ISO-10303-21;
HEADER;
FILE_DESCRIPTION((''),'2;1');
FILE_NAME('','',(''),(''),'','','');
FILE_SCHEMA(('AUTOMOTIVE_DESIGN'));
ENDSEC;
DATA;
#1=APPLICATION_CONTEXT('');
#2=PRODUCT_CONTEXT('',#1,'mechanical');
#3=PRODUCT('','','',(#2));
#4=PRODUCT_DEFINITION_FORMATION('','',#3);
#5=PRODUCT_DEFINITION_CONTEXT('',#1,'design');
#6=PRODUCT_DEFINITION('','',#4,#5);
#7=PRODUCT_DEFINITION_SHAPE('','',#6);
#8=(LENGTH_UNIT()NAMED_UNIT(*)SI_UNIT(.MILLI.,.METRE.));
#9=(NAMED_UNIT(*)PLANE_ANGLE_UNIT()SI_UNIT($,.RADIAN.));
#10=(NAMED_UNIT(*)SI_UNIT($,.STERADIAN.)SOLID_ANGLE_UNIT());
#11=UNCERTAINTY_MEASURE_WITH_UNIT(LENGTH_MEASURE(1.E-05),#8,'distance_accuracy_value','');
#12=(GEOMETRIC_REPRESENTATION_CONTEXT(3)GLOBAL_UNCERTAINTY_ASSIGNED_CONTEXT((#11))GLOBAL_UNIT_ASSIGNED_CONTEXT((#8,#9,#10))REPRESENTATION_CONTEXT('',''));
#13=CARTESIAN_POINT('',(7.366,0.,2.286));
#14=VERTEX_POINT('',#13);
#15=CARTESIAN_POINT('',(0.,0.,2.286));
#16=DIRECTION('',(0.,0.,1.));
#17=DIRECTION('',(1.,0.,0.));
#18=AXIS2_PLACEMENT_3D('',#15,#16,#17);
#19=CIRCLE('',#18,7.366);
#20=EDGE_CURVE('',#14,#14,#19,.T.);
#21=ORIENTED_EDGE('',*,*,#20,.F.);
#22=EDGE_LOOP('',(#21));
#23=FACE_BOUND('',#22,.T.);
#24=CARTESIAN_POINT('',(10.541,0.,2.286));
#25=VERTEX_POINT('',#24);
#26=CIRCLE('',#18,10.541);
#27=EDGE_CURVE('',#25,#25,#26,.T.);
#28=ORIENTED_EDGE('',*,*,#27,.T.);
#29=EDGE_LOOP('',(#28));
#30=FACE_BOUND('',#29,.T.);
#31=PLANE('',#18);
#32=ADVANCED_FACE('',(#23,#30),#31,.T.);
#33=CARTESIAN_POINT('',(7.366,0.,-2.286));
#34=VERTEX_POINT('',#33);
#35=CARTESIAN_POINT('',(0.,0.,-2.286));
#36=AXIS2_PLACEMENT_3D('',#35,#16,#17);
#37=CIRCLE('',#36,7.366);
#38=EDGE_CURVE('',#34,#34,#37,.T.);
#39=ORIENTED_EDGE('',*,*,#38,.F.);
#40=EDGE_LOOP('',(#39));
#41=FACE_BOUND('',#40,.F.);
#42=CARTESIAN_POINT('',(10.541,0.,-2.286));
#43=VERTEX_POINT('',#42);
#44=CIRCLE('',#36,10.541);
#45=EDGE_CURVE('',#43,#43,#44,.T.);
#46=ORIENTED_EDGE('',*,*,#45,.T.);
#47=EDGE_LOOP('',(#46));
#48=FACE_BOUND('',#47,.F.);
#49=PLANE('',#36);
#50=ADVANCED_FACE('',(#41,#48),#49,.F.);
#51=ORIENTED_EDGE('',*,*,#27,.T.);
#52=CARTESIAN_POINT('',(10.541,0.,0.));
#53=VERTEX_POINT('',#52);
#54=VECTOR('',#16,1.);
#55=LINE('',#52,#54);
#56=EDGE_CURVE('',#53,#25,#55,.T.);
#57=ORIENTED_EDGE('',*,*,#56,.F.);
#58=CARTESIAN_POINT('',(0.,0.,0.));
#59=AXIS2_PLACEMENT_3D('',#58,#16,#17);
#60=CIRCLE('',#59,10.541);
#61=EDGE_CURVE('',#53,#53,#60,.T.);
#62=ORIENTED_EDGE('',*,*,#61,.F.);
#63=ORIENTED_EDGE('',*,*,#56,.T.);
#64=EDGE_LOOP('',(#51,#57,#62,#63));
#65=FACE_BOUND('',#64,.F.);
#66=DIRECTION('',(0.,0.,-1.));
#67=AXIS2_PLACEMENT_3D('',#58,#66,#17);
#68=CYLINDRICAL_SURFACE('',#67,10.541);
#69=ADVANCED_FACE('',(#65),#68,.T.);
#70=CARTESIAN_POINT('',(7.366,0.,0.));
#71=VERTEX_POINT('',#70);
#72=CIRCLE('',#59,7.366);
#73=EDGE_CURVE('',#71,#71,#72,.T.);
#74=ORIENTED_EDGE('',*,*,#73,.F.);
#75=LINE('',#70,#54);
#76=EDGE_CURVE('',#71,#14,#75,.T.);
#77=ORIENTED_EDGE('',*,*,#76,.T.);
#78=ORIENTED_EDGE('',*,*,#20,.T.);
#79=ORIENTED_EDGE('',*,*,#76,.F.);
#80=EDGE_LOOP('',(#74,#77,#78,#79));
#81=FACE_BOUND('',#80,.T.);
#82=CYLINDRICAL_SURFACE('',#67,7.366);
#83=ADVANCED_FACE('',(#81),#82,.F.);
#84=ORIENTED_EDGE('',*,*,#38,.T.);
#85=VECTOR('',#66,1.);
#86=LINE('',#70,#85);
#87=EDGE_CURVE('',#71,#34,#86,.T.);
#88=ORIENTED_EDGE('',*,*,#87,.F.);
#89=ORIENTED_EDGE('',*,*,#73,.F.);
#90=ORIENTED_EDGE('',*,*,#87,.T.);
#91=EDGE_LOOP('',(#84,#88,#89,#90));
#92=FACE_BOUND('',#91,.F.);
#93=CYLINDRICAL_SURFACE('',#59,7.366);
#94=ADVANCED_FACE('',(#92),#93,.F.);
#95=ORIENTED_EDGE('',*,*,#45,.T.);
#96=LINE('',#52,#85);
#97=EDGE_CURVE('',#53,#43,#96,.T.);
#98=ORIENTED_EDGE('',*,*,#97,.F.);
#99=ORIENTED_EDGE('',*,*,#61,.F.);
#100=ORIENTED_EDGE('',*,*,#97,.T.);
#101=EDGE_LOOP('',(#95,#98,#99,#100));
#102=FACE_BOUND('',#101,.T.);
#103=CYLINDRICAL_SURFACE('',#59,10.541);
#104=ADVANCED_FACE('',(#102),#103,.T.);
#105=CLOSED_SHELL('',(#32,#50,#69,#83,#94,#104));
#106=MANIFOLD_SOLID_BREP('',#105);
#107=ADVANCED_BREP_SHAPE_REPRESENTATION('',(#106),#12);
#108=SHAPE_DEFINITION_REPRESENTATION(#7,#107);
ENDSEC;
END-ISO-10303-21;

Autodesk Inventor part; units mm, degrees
ref_plane "YZ Plane" through (0, 0, 0) normal (1, 0, 0) x (0, 1, 0)
ref_plane "XZ Plane" through (0, 0, 0) normal (0, 1, 0) x (-1, 0, 0)
ref_plane "XY Plane" through (0, 0, 0) normal (0, 0, 1) x (1, 0, 0)
sketch "Sketch1" plane through (0, 0, 0) normal (0, 0, 1) x (1, 0, 0)
  circle A0 centre (0, 0) radius 7.366
  circle A1 centre (0, 0) radius 10.541
  dimension "Hex" = 14.732
  dimension "Thickness" = 3.175
extrude "Extrusion1" add sketch "Sketch1" along normal mid plane 4.572
equation "\"Tolerance_H\" = 0.3"
equation "\"Size\" = 12.7"
equation "\"Length\" = 30.2768"
equation "\"Tolerance_L\" = 0.508"
equation "\"Final_Metric\" = Hex"
equation "\"Thunder\" = 13.7541"
properties part number "EL2-GB-006Spacer" material "ABS Plastic"
